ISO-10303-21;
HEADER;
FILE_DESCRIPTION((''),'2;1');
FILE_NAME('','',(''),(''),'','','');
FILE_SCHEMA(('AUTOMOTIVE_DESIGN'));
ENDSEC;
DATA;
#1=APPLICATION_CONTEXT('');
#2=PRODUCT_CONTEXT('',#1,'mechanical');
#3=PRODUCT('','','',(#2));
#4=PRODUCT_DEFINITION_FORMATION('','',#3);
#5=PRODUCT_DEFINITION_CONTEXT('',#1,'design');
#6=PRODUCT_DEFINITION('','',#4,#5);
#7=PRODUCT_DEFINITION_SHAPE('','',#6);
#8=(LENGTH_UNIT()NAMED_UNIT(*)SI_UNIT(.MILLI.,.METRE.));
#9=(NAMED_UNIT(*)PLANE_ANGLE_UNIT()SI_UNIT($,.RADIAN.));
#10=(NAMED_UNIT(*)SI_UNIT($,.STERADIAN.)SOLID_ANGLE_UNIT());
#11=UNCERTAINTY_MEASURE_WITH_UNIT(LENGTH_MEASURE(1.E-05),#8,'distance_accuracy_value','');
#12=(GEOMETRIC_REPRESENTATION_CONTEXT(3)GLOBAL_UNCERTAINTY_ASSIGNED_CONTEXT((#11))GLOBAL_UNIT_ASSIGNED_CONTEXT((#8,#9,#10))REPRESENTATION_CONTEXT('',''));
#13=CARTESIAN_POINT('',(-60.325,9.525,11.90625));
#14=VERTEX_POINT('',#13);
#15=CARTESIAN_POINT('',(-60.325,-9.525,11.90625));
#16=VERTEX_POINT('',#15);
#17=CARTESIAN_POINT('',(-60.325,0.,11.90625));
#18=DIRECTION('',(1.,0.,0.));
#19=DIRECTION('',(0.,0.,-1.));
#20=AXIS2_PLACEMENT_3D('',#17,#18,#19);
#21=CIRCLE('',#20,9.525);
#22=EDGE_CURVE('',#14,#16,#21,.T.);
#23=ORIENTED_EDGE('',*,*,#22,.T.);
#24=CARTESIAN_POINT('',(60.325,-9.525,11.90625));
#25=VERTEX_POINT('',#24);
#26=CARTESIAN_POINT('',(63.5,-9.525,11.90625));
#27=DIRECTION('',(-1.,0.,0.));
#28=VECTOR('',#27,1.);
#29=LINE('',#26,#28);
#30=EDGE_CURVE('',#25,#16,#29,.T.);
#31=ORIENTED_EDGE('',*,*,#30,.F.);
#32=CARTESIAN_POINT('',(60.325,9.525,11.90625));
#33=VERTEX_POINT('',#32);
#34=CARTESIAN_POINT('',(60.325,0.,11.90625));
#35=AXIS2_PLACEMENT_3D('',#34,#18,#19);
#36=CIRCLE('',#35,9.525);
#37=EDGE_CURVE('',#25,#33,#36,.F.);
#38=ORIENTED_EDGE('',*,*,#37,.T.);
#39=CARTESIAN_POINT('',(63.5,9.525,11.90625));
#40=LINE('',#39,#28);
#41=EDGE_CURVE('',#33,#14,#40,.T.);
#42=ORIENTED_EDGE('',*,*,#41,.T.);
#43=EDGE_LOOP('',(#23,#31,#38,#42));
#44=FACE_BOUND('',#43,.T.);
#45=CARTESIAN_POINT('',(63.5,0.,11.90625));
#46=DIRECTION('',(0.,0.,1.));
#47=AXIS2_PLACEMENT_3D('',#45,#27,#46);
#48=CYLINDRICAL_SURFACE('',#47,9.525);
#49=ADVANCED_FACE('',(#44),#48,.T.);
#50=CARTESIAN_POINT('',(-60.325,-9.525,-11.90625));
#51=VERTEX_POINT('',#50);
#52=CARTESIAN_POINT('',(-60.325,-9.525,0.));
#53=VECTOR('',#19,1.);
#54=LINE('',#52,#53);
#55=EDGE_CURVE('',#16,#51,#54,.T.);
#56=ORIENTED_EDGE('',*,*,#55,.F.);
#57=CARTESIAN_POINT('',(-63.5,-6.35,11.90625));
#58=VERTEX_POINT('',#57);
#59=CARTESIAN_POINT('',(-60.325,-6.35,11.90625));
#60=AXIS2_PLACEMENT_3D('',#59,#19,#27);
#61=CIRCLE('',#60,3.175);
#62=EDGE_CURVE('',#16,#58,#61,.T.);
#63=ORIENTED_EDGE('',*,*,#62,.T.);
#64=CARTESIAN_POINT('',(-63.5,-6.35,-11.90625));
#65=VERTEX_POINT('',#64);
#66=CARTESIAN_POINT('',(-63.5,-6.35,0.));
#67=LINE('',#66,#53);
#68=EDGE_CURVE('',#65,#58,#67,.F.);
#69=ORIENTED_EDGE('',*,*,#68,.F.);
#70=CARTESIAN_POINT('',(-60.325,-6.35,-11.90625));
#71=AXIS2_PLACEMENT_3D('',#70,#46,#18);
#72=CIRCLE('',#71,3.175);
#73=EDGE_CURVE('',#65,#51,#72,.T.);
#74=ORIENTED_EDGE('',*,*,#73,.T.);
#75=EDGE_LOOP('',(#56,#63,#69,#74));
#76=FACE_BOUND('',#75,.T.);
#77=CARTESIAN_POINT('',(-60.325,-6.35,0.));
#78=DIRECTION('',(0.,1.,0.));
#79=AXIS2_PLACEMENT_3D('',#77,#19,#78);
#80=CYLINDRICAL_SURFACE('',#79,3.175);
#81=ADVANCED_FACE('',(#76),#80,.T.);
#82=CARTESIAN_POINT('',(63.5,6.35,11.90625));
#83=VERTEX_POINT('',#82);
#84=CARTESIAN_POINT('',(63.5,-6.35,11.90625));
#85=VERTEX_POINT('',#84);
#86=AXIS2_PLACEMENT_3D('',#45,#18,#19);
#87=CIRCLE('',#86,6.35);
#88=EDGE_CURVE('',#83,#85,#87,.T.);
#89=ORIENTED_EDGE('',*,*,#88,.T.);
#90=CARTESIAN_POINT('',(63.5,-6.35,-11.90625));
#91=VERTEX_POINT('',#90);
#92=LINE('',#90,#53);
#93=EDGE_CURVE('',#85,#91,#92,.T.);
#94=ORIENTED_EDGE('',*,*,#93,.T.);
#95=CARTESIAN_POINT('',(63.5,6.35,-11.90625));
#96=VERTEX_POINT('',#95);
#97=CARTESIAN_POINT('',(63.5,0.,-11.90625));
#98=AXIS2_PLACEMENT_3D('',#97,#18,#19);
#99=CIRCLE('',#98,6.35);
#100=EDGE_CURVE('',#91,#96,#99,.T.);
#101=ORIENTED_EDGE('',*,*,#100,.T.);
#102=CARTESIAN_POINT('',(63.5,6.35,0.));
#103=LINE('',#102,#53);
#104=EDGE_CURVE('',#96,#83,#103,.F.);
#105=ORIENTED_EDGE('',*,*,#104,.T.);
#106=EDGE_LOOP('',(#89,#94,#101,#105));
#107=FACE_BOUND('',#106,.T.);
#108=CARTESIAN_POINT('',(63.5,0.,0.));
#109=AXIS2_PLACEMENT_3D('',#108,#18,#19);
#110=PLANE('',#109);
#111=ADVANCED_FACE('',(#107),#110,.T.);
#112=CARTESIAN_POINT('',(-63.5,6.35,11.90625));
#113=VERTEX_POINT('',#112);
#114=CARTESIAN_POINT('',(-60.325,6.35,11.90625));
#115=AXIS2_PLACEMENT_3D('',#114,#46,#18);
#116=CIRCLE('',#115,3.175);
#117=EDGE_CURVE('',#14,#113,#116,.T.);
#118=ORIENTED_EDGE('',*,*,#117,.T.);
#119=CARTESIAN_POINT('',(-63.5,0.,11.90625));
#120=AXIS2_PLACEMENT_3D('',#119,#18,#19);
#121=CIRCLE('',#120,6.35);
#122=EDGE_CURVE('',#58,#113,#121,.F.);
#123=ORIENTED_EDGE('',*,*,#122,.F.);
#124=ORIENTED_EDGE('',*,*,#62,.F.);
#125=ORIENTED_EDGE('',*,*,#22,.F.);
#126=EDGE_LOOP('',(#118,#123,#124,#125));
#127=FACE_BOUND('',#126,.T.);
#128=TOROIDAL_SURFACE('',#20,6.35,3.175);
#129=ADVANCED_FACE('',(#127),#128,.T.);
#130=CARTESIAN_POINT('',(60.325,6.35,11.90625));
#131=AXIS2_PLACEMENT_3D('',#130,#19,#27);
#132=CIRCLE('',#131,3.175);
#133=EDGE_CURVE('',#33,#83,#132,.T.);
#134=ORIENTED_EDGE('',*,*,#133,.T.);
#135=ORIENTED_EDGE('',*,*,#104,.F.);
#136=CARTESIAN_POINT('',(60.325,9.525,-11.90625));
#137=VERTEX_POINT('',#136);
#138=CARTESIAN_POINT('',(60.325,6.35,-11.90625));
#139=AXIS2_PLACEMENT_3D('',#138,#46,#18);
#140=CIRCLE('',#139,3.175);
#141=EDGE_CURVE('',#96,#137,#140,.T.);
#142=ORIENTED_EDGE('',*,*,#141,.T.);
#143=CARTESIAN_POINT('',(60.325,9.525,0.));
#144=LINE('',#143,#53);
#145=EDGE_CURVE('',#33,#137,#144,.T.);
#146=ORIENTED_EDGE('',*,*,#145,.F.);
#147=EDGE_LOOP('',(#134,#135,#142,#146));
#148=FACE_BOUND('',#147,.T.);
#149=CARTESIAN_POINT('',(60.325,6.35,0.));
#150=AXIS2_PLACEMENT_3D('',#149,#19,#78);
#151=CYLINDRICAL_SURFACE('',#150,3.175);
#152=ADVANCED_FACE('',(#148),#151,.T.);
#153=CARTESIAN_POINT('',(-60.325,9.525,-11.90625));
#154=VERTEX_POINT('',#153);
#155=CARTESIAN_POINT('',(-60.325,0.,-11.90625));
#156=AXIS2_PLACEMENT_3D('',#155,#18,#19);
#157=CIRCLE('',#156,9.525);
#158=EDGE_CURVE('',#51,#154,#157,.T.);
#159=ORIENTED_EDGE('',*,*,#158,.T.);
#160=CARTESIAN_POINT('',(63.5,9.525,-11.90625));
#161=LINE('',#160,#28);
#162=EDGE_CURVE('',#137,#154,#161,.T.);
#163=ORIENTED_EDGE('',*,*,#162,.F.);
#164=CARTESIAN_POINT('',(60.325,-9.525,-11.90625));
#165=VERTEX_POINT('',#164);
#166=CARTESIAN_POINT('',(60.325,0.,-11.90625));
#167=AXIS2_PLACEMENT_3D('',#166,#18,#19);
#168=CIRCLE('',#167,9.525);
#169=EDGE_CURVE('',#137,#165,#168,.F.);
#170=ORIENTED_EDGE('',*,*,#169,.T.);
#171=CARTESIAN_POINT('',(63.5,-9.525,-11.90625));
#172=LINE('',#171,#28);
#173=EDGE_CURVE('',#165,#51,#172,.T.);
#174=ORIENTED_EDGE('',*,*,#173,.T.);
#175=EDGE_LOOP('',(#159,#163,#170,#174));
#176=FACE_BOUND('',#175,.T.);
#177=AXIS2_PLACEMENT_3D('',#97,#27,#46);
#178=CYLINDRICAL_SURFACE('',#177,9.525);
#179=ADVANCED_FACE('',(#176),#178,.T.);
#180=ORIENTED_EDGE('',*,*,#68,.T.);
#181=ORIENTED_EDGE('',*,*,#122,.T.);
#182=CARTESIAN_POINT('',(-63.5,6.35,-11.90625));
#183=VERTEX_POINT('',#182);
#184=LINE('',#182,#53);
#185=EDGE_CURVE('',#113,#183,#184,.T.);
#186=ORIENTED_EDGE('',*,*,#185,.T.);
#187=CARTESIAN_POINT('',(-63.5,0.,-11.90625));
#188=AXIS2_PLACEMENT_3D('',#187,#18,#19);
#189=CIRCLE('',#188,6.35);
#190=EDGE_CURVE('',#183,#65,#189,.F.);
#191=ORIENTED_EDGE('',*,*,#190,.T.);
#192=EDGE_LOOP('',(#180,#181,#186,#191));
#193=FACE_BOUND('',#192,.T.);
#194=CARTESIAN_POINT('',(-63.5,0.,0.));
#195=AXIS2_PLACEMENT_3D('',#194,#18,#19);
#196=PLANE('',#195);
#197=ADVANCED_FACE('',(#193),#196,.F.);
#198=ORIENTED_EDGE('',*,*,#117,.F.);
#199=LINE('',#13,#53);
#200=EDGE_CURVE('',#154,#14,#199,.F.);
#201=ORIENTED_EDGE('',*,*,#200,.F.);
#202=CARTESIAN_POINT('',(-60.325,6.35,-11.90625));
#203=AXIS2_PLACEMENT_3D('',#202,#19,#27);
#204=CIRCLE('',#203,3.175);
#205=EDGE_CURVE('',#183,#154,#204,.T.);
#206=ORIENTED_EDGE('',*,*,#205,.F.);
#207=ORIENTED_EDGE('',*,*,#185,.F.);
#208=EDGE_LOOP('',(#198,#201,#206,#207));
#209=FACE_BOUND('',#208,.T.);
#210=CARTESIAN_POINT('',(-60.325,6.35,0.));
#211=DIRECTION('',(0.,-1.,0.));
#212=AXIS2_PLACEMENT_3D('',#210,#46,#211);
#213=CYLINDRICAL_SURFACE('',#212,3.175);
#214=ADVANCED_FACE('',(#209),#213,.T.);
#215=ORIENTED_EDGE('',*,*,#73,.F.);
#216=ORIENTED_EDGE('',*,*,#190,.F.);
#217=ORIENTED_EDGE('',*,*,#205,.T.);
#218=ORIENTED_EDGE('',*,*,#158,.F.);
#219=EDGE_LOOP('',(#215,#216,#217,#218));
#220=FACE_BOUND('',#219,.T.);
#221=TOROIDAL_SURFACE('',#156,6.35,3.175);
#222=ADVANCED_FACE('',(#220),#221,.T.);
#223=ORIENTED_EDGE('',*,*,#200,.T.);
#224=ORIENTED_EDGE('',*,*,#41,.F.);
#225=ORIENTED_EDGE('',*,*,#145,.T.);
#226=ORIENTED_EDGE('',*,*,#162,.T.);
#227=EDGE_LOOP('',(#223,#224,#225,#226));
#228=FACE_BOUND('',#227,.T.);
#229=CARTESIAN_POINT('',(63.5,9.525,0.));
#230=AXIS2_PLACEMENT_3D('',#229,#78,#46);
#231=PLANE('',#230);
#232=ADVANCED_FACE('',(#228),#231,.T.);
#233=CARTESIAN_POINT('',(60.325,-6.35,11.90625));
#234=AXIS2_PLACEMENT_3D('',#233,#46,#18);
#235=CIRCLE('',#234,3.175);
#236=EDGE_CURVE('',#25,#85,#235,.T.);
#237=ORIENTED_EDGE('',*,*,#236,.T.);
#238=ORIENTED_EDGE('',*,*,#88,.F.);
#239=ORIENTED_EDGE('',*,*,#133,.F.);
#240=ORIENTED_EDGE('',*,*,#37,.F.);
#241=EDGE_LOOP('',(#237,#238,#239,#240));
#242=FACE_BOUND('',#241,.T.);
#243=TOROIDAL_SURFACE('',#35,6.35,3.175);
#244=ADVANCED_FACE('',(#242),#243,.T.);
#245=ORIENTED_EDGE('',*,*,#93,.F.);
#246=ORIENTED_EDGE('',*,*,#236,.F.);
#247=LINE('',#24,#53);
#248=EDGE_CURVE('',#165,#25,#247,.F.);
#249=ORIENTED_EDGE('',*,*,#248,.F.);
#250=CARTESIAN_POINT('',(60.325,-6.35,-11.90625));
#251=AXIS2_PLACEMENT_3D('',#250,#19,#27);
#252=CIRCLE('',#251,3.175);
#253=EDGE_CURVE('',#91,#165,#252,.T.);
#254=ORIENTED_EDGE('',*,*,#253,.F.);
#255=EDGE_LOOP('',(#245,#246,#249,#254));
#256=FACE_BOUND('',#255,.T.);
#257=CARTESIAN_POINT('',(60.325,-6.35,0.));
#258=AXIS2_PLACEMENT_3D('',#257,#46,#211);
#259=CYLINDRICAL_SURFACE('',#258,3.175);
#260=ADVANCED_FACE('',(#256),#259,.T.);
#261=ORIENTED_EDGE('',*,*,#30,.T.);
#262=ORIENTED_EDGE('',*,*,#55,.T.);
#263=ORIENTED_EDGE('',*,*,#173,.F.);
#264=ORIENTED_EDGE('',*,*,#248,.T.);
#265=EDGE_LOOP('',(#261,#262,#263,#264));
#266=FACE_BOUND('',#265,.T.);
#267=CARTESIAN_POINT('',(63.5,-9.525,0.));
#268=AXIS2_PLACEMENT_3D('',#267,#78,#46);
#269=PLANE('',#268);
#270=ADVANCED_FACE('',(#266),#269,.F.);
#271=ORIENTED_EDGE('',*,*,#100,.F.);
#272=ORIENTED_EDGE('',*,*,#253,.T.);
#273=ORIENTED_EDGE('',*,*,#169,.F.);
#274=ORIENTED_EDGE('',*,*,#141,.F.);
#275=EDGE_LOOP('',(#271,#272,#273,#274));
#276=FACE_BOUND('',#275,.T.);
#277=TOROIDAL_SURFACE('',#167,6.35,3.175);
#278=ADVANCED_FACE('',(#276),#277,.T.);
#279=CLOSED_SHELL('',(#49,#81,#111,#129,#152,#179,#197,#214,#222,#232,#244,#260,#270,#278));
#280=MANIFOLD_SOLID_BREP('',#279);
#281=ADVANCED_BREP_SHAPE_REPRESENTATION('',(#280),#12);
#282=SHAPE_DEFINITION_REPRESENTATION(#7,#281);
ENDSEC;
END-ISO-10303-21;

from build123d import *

# Parameters (mm, degrees)
SKETCH1_W           = 23.8125
SKETCH1_H           = 19.05
BOSS_EXTRUDE1_DEPTH = 63.5
FILLET1_R           = 3.175


with BuildPart() as part:
    # Sketch1 → Boss-Extrude1 (new body, symmetric)
    with BuildSketch(Plane(origin=(0, 0, 0), x_dir=(0, 0, -1), z_dir=(1, 0, 0))):
        with BuildLine():
            Line((-11.90625, -9.525), (-11.90625, 9.525))
            ThreePointArc((-11.90625, 9.525), (-21.43125, 0), (-11.90625, -9.525))
        make_face()
        Rectangle(SKETCH1_W, SKETCH1_H)
        with BuildLine():
            ThreePointArc((11.90625, 9.525), (21.43125, 0), (11.90625, -9.525))
            Line((11.90625, -9.525), (11.90625, 9.525))
        make_face()
    extrude(amount=BOSS_EXTRUDE1_DEPTH, both=True)

    # Fillet1
    fillet1_edges = [part.edges().sort_by_distance(p)[0] for p in [
        (63.5, 0, -21.43125),
        (63.5, 9.525, 0),
        (63.5, 0, 21.43125),
        (-63.5, 9.525, 0),
        (-63.5, 0, -21.43125),
        (-63.5, -9.525, 0),
        (-63.5, 0, 21.43125),
        (63.5, -9.525, 0),
    ]]
    fillet(fillet1_edges, radius=FILLET1_R)


solid = part.part
